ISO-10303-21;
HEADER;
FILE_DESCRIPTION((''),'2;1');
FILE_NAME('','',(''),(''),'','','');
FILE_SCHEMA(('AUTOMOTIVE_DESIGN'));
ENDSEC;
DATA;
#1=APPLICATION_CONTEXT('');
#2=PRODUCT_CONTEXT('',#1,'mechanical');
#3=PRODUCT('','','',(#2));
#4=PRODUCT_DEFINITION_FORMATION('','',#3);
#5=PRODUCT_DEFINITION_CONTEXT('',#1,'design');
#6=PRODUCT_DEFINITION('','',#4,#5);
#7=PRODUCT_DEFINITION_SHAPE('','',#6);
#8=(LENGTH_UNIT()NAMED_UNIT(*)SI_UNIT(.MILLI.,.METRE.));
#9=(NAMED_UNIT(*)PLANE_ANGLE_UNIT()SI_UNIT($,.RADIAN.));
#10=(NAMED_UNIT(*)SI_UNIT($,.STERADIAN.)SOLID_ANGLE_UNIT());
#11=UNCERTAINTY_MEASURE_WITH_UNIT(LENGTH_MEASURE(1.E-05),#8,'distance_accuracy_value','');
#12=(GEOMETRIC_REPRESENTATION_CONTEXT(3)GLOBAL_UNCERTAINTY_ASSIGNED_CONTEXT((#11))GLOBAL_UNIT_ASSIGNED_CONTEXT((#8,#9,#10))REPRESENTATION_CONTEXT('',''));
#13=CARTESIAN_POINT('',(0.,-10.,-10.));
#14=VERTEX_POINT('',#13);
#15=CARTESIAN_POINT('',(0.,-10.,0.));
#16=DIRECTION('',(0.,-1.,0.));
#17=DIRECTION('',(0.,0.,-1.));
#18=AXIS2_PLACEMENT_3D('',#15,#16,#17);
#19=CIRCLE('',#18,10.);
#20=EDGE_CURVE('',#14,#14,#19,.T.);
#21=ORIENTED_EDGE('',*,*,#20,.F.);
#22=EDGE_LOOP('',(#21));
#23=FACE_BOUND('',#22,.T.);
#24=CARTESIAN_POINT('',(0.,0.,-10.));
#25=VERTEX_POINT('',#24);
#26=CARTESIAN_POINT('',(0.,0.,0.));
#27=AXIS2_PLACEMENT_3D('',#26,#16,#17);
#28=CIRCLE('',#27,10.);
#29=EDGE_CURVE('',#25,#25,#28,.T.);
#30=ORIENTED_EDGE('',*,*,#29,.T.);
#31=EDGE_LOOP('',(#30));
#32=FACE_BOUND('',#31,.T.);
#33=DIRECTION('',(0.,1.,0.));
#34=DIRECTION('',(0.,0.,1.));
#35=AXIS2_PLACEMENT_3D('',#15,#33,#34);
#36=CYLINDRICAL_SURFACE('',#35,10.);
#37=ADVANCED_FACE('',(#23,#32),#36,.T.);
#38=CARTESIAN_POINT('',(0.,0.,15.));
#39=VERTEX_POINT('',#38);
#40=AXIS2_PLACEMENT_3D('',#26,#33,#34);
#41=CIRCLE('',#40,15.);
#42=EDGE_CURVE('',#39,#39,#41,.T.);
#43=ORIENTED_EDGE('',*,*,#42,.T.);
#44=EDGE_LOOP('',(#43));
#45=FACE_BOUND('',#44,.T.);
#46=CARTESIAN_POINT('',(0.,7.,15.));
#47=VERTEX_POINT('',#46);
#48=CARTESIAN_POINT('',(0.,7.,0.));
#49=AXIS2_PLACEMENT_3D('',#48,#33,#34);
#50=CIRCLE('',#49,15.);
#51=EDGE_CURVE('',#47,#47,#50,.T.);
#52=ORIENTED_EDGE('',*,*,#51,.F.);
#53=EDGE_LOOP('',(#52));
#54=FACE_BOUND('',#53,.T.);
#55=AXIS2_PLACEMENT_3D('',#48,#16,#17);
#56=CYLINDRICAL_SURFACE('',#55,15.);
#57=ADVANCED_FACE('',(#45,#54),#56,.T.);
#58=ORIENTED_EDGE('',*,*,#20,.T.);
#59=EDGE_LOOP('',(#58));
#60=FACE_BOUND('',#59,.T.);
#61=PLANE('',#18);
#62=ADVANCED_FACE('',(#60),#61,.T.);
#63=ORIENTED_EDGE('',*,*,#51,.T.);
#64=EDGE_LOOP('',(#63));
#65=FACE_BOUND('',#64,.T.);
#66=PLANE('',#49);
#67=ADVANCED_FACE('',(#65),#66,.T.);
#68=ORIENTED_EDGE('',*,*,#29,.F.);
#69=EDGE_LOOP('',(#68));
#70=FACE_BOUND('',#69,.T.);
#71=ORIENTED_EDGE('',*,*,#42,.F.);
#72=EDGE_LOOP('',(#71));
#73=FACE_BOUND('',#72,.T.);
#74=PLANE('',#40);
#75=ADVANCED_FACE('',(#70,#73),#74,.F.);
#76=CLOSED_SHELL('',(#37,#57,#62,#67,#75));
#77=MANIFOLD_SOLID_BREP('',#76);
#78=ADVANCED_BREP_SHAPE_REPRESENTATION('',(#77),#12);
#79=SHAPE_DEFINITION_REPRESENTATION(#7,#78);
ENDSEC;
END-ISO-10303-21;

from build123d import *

# Parameters (mm, degrees)
SKETCH_1_R      = 15
EXTRUDE_1_DEPTH = 7
SKETCH_2_R      = 10
EXTRUDE_2_DEPTH = 10


with BuildPart() as part:
    # 草图1 → 凸台-拉伸1 (new body)
    with BuildSketch(Plane(origin=(0, 0, 0), x_dir=(1, 0, 0), z_dir=(0, 1, 0))):
        Circle(SKETCH_1_R)
    extrude(amount=EXTRUDE_1_DEPTH)

    # 草图2 → 凸台-拉伸2 (add)
    with BuildSketch(Plane(origin=(0, 0, 0), x_dir=(-1, 0, 0), z_dir=(0, -1, 0))):
        Circle(SKETCH_2_R)
    extrude(amount=EXTRUDE_2_DEPTH)


solid = part.part
